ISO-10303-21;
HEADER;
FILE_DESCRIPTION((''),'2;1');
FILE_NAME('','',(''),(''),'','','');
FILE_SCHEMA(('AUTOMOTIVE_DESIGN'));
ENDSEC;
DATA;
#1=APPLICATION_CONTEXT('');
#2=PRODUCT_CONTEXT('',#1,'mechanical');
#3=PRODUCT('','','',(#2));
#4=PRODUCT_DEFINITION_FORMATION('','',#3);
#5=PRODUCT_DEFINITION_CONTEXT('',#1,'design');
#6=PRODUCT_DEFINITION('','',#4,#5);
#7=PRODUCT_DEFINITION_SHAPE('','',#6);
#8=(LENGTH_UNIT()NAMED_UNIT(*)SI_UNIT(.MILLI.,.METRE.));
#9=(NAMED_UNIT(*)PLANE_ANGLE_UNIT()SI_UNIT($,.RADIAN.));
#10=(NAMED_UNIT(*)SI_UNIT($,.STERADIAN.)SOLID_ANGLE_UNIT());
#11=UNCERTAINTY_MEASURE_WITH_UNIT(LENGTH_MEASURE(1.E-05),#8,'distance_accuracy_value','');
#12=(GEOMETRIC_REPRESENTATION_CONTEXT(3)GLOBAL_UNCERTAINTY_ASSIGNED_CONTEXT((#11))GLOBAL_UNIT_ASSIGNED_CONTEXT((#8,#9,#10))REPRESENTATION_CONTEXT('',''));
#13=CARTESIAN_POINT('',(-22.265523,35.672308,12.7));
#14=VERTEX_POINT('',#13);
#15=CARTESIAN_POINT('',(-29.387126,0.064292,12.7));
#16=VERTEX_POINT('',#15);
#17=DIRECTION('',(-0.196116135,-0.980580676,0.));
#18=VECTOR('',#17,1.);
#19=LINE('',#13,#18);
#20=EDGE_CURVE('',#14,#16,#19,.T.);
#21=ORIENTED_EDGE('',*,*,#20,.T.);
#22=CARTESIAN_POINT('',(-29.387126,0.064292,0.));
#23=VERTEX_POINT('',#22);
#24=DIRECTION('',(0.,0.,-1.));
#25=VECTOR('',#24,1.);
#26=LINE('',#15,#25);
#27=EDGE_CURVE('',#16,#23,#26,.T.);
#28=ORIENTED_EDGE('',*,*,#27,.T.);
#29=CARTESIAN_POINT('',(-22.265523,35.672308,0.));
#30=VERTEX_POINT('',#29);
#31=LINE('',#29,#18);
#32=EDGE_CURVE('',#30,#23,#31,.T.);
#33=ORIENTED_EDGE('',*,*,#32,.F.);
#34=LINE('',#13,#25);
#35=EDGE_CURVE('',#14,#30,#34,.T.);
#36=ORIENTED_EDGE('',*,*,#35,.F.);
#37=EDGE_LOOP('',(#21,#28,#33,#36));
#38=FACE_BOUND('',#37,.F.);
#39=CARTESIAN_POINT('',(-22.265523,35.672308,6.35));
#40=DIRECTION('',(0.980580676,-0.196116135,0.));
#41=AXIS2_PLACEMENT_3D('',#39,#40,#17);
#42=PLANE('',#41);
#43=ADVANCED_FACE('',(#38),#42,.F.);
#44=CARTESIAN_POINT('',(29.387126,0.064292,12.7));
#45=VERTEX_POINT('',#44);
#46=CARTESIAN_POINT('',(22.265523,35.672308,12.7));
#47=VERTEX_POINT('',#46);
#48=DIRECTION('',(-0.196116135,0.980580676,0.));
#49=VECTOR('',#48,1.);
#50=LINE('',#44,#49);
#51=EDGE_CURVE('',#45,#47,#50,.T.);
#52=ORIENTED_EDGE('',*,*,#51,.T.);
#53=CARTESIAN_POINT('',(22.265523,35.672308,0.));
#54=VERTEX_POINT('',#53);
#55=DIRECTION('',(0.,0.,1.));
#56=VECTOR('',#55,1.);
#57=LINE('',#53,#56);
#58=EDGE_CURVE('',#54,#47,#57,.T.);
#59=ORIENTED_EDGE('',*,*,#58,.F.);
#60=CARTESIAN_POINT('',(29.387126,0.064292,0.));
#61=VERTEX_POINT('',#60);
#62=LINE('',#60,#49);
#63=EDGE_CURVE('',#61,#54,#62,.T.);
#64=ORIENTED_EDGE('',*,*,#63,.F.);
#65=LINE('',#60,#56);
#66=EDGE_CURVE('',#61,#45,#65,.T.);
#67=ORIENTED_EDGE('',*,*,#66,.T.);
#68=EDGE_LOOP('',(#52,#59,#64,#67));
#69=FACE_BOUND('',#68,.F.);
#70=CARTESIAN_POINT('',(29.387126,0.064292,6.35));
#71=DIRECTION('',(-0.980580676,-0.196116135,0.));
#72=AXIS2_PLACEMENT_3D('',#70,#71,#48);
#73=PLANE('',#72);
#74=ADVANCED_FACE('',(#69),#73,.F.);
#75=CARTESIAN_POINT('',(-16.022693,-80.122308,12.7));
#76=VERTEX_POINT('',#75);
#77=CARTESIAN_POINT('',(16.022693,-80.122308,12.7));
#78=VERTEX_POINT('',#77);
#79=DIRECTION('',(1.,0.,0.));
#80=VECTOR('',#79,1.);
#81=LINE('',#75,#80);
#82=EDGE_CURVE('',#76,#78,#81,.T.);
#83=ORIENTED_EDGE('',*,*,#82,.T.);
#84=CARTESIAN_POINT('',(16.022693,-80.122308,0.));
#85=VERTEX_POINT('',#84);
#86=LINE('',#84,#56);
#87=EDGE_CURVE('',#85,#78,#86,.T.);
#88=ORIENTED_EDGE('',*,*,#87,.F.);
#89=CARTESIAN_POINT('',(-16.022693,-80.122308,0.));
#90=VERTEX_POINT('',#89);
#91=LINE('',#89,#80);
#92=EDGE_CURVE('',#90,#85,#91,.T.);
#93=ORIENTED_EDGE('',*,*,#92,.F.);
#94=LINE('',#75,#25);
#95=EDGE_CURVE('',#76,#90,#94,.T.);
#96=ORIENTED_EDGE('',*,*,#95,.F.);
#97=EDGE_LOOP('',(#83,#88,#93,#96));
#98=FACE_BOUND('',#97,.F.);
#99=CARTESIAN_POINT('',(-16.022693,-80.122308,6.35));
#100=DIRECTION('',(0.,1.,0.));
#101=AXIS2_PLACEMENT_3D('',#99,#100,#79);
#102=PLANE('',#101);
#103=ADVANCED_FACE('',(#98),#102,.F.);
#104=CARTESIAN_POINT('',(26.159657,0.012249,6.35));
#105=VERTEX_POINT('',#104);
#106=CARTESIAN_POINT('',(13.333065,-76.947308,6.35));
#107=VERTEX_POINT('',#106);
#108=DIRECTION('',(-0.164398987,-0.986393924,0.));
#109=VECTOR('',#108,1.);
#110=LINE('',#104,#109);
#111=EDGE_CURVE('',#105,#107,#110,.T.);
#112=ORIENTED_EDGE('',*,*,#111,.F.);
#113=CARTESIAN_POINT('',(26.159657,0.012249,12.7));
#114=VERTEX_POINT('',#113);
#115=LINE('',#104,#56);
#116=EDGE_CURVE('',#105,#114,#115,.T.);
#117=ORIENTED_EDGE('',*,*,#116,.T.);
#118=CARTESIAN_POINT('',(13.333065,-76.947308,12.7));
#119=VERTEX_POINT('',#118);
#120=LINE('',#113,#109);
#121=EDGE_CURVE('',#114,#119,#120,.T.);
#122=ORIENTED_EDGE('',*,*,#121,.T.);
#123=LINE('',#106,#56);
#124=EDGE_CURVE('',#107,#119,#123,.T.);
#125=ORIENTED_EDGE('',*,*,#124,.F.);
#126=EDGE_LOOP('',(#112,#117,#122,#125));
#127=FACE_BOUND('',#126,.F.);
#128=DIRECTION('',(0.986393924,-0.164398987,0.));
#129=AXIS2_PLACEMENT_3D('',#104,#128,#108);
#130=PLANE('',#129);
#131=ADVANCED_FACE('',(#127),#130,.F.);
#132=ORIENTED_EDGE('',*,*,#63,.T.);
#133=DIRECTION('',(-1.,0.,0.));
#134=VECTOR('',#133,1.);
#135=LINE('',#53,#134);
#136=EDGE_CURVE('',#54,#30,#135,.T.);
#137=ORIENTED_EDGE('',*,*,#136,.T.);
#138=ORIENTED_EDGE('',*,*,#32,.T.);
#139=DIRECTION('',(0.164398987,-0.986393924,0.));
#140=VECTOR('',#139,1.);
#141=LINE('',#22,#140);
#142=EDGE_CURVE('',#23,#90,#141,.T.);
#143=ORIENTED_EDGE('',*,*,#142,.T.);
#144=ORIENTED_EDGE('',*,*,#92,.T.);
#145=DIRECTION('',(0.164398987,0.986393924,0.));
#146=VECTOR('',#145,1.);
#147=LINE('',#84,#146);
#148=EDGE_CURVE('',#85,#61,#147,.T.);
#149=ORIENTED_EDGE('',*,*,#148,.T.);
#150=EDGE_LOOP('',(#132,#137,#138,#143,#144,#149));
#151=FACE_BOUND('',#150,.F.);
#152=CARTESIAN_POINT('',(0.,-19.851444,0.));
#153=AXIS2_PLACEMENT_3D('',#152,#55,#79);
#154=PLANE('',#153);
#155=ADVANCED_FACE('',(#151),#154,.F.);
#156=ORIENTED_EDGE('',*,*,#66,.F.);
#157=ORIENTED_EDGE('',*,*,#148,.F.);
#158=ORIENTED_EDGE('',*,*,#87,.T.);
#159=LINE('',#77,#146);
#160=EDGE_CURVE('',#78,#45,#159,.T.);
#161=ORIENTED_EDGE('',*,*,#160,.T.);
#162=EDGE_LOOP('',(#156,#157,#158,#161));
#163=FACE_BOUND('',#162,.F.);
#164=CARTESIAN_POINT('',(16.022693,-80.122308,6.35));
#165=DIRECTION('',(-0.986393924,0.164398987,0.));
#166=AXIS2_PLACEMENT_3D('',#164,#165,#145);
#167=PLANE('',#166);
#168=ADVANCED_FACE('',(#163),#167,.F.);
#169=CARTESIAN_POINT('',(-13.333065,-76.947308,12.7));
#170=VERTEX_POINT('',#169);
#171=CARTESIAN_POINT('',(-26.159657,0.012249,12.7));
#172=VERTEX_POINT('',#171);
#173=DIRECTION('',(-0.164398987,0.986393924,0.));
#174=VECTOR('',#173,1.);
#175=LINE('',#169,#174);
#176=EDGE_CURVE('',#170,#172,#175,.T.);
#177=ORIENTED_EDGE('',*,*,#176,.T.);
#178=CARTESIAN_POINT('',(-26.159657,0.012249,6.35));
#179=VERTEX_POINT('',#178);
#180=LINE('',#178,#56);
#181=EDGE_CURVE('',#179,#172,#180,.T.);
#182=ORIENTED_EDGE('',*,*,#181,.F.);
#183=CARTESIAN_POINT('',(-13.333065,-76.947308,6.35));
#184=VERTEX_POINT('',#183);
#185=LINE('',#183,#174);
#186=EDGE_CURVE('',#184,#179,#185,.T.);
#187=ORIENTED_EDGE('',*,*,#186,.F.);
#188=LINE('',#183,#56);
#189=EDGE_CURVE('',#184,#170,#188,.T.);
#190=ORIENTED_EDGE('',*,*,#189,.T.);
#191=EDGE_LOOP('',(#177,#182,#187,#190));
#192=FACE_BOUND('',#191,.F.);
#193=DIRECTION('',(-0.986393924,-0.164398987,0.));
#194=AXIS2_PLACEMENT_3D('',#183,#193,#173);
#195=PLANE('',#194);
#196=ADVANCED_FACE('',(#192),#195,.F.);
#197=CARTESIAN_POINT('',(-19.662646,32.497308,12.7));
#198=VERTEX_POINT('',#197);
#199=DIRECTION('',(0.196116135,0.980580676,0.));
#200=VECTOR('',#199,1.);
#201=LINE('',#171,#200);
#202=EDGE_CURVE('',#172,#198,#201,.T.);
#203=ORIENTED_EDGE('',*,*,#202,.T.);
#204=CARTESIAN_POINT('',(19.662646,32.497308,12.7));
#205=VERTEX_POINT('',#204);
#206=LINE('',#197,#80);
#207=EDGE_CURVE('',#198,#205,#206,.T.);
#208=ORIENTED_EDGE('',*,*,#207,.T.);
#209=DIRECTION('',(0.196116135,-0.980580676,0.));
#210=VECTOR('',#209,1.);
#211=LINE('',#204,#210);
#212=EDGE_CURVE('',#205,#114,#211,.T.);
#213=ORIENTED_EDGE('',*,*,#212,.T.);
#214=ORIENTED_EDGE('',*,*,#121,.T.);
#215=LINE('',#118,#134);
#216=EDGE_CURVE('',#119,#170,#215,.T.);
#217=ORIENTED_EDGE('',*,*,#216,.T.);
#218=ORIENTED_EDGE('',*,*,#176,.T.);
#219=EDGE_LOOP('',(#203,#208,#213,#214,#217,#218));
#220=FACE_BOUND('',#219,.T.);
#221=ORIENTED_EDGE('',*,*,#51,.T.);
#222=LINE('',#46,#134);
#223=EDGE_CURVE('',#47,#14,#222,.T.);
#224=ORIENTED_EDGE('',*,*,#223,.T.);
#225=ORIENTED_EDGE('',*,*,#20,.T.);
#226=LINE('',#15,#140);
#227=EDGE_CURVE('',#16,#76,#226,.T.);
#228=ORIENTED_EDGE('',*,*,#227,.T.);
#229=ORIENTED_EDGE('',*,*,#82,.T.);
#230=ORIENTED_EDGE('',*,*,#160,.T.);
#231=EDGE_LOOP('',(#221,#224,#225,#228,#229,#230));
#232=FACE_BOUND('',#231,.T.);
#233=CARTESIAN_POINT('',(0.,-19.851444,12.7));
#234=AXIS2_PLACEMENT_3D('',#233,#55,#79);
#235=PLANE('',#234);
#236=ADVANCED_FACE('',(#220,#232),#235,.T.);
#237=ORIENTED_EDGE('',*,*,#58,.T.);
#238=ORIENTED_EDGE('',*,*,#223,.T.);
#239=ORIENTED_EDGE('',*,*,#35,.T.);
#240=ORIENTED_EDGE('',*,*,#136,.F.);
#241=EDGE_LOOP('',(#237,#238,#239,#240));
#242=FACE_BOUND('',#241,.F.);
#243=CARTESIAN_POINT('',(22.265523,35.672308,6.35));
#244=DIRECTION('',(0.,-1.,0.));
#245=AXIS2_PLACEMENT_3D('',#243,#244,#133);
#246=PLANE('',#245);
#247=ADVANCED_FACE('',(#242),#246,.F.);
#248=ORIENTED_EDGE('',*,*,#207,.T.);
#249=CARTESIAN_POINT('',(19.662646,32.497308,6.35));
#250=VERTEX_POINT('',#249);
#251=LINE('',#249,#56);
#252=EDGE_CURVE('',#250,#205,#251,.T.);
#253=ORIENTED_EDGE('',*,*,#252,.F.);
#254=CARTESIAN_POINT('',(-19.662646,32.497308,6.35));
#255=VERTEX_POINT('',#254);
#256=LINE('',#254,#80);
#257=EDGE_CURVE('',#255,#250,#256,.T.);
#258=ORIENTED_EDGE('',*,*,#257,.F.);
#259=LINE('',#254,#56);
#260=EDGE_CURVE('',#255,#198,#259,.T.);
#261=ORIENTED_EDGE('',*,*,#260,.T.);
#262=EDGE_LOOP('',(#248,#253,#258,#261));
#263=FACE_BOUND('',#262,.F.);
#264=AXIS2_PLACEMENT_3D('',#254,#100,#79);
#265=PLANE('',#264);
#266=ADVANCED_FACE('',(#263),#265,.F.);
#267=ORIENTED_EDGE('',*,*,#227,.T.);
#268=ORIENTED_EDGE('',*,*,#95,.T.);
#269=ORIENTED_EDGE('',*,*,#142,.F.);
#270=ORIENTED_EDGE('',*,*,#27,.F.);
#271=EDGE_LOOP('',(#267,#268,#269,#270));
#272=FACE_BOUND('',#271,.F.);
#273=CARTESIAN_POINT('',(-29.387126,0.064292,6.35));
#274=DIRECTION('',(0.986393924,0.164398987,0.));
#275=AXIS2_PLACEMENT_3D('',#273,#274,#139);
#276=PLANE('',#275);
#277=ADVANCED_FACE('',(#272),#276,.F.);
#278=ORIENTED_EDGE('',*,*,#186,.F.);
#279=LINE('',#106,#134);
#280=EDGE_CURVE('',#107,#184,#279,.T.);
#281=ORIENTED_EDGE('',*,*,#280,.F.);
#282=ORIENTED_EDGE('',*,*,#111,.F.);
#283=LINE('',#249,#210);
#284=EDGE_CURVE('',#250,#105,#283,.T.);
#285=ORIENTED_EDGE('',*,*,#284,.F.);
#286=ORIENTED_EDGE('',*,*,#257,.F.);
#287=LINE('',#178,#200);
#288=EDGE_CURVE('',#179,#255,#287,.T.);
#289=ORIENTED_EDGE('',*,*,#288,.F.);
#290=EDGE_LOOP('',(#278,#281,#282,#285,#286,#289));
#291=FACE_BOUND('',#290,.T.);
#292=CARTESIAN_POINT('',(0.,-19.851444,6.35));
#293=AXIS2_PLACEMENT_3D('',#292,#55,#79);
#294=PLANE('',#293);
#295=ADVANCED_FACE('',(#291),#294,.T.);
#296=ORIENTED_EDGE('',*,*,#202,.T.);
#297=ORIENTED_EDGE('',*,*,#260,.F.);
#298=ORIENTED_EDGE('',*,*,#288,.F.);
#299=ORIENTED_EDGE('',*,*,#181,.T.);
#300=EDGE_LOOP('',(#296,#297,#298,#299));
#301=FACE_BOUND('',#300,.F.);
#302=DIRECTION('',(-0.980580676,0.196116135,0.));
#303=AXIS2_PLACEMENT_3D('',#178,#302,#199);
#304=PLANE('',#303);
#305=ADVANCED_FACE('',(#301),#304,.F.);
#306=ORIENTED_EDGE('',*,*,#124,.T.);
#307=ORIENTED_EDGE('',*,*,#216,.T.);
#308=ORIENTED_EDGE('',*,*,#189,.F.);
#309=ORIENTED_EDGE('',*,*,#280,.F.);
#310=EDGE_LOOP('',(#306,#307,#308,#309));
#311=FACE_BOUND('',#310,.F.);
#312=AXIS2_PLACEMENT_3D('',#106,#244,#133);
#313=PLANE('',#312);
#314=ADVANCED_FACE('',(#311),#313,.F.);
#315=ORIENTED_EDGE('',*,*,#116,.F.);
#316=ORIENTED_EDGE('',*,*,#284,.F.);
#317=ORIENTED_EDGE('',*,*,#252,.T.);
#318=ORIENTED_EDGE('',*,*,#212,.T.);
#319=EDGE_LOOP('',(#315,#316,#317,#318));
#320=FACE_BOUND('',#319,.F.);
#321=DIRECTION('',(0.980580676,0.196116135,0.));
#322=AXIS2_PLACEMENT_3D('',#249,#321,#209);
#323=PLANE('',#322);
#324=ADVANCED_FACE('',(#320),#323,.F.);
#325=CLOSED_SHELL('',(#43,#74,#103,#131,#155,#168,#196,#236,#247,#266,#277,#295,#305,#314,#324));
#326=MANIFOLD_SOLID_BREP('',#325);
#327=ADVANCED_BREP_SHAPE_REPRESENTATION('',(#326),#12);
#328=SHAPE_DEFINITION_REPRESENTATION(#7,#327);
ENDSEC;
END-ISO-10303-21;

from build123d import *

# Parameters (mm, degrees)
F1_DEPTH = 6.35
F3_DEPTH = 6.35


with BuildPart() as f1:
    # F0 (on Top) → F1 (new body)
    with BuildSketch(Plane.XY):
        Polygon((-22.265523135, 35.6723076694), (-29.3871263153, 0.0642917681), (-16.0226930757, -80.1223076694), (16.0226930757, -80.1223076694), (29.3871263153, 0.0642917681), (22.265523135, 35.6723076694), align=None)
        Polygon((-19.6626457439, 32.4973076694), (19.6626457439, 32.4973076694), (26.1596574071, 0.012249353), (13.3330645701, -76.9473076694), (-13.3330645701, -76.9473076694), (-26.1596574071, 0.012249353), align=None, mode=Mode.SUBTRACT)
        Polygon((26.1596574071, 0.012249353), (19.6626457439, 32.4973076694), (-19.6626457439, 32.4973076694), (-26.1596574071, 0.012249353), (-13.3330645701, -76.9473076694), (13.3330645701, -76.9473076694), align=None)
        Polygon((-25.4, 0), (-19.05, 31.75), (0, 31.75), (19.05, 31.75), (25.4, 0), (12.7, -76.2), (-12.7, -76.2), align=None, mode=Mode.SUBTRACT)
        Polygon((0, 31.75), (-19.05, 31.75), (-25.4, 0), (-12.7, -76.2), (12.7, -76.2), (25.4, 0), (19.05, 31.75), align=None)
    extrude(amount=F1_DEPTH)

    # F2 (on face) → F3 (join)
    with BuildSketch(Plane.XY.offset(6.35)):
        Polygon((-16.0226930757, -80.1223076694), (16.0226930757, -80.1223076694), (29.3871263153, 0.0642917681), (22.265523135, 35.6723076694), (-22.265523135, 35.6723076694), (-29.3871263153, 0.0642917681), align=None)
        Polygon((26.1596574071, 0.012249353), (13.3330645701, -76.9473076694), (-13.3330645701, -76.9473076694), (-26.1596574071, 0.012249353), (-19.6626457439, 32.4973076694), (19.6626457439, 32.4973076694), align=None, mode=Mode.SUBTRACT)
    extrude(amount=F3_DEPTH)


solid = f1.part
